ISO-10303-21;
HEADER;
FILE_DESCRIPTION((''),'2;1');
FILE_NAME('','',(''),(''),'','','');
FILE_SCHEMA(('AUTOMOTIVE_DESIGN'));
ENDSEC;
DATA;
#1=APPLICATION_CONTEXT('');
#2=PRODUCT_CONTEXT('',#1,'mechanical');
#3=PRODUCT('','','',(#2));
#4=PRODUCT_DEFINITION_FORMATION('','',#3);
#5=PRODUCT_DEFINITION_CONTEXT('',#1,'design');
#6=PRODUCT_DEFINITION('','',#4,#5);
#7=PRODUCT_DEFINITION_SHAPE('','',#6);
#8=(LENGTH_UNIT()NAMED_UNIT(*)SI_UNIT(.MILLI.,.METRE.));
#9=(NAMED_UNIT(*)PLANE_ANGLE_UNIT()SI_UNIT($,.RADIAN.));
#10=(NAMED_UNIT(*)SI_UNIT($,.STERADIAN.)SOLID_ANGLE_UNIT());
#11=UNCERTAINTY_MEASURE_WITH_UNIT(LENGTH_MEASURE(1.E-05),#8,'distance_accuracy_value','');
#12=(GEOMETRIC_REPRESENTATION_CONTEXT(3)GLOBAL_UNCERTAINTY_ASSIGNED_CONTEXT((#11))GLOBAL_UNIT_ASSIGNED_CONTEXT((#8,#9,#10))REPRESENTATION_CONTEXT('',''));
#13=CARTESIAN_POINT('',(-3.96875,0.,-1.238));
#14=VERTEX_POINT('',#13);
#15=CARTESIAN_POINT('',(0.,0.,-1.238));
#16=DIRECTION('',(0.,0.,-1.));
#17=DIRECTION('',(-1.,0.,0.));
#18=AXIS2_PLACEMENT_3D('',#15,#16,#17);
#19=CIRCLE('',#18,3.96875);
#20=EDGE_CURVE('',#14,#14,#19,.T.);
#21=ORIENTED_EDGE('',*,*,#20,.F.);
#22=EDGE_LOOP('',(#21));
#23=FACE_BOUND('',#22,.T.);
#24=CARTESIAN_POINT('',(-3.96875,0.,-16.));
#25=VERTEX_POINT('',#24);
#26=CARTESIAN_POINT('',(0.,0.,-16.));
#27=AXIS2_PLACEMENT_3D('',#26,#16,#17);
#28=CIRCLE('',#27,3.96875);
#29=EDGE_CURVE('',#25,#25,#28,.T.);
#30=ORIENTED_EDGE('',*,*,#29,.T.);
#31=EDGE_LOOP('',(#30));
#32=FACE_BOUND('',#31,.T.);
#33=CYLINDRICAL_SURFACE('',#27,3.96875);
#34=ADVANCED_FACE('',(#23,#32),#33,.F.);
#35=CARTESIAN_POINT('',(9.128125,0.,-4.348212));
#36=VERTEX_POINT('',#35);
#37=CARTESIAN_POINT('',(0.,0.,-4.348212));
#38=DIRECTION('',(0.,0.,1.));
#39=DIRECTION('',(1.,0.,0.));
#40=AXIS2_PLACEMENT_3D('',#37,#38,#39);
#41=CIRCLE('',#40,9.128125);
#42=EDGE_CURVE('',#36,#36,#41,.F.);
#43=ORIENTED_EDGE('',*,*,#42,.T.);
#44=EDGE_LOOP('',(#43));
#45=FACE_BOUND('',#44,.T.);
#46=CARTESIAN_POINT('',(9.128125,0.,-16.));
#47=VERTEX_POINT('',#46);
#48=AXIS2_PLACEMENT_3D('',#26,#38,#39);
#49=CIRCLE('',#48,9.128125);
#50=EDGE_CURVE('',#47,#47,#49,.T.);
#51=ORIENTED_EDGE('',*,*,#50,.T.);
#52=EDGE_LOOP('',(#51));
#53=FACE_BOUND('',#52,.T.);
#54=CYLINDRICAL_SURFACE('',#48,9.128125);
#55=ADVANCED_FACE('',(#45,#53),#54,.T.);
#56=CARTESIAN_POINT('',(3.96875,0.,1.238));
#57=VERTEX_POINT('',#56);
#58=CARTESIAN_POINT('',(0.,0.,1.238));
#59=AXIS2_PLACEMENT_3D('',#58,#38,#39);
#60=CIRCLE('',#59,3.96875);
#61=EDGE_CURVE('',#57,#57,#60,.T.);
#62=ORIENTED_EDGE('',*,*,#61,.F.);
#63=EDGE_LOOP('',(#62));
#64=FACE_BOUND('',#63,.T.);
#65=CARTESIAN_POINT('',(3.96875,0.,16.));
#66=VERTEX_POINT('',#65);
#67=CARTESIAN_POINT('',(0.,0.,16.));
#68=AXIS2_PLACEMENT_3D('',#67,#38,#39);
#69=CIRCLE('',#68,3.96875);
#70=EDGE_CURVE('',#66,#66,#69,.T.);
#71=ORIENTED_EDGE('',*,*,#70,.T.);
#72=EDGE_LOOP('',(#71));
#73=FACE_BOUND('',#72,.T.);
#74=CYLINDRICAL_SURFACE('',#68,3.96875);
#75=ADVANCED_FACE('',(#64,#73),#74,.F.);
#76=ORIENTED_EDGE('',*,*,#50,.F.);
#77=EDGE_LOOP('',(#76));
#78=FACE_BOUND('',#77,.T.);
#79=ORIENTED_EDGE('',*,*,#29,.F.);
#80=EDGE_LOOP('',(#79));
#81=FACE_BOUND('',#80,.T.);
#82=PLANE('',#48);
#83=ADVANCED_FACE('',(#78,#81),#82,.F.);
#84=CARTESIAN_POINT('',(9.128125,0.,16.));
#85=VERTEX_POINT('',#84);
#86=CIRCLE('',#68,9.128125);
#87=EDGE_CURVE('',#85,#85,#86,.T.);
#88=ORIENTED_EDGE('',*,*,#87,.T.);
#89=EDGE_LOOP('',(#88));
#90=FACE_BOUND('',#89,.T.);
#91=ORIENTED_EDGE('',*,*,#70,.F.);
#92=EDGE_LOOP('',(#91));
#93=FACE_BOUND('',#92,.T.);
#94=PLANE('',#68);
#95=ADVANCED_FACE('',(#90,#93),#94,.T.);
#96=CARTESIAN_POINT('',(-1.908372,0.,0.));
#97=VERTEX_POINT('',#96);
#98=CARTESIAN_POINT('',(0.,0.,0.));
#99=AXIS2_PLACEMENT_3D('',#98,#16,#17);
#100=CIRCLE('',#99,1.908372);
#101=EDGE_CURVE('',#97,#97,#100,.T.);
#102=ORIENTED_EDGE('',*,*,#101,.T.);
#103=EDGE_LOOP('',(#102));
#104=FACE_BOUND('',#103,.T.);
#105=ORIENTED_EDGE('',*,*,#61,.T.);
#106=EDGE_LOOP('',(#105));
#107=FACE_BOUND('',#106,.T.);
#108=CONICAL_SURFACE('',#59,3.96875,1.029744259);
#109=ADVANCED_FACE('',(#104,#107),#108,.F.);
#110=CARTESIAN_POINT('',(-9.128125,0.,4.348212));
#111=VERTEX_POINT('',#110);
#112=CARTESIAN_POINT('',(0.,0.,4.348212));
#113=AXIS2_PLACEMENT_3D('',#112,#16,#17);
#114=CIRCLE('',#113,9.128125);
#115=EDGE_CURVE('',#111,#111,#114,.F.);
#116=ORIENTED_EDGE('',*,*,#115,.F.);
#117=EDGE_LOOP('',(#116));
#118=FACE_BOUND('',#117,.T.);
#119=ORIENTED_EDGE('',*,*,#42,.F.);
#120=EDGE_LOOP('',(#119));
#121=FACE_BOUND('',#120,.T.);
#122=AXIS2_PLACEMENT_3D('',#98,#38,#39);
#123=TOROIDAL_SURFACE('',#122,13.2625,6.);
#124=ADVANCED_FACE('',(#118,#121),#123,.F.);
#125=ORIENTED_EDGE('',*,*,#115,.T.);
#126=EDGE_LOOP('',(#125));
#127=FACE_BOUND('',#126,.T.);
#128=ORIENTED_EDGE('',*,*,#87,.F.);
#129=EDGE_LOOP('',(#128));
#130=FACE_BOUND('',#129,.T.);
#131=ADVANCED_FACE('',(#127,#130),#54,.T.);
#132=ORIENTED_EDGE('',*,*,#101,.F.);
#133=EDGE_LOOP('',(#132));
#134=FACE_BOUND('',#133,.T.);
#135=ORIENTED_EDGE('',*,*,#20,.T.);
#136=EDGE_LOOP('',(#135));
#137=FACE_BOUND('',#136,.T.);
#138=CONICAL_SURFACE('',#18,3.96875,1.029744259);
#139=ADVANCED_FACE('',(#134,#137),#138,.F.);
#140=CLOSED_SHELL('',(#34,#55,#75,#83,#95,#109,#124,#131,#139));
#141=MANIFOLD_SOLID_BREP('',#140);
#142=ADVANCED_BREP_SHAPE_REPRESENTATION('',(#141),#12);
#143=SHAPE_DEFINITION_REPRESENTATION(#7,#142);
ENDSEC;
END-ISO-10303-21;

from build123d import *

# Parameters (mm, degrees)
EXTRUDE1_START              = -16
SKETCH1_R                   = 9.128125
EXTRUDE1_DEPTH              = 32
F_3_8_16_TAPPED_HOLE3_D     = 7.9375
F_3_8_16_TAPPED_HOLE3_DEPTH = 14.762
F_3_8_16_TAPPED_HOLE3_TIP   = 2.384665582
F_3_8_16_TAPPED_HOLE4_D     = 7.9375
F_3_8_16_TAPPED_HOLE4_DEPTH = 14.762
F_3_8_16_TAPPED_HOLE4_TIP   = 2.384665582


with BuildPart() as part:
    # Sketch1 → Extrude1 (new body)
    with BuildSketch(Plane.XY.offset(EXTRUDE1_START)):
        Circle(SKETCH1_R)
    extrude(amount=EXTRUDE1_DEPTH)

    # Sketch2 → Cut-Revolve1 (revolve, cut)
    with BuildSketch(Plane(origin=(0, 0, 0), x_dir=(0, 0, -1), z_dir=(1, 0, 0))):
        with BuildLine():
            Line((-6, 13.2625), (-6, 15.153312549))
            Line((-6, 15.153312549), (6, 15.153312549))
            Line((6, 15.153312549), (6, 13.2625))
            ThreePointArc((6, 13.2625), (0, 7.2625), (-6, 13.2625))
        make_face()
    revolve(axis=Axis((0, 0, 16), (0, 0, -1)), mode=Mode.SUBTRACT)

    # 3_8-16 Tapped Hole3
    with Locations(Plane.XY.offset(16)):
        with Locations((0, 0)):
            Hole(F_3_8_16_TAPPED_HOLE3_D / 2, depth=F_3_8_16_TAPPED_HOLE3_DEPTH)
            with Locations((0, 0, -(F_3_8_16_TAPPED_HOLE3_DEPTH + F_3_8_16_TAPPED_HOLE3_TIP / 2))):  # 118° drill point
                Cone(0, F_3_8_16_TAPPED_HOLE3_D / 2, F_3_8_16_TAPPED_HOLE3_TIP, mode=Mode.SUBTRACT)

    # 3_8-16 Tapped Hole4
    with Locations(Plane(origin=(0, 0, -16), x_dir=(-1, 0, 0), z_dir=(0, 0, -1))):
        with Locations((0, 0)):
            Hole(F_3_8_16_TAPPED_HOLE4_D / 2, depth=F_3_8_16_TAPPED_HOLE4_DEPTH)
            with Locations((0, 0, -(F_3_8_16_TAPPED_HOLE4_DEPTH + F_3_8_16_TAPPED_HOLE4_TIP / 2))):  # 118° drill point
                Cone(0, F_3_8_16_TAPPED_HOLE4_D / 2, F_3_8_16_TAPPED_HOLE4_TIP, mode=Mode.SUBTRACT)


solid = part.part
